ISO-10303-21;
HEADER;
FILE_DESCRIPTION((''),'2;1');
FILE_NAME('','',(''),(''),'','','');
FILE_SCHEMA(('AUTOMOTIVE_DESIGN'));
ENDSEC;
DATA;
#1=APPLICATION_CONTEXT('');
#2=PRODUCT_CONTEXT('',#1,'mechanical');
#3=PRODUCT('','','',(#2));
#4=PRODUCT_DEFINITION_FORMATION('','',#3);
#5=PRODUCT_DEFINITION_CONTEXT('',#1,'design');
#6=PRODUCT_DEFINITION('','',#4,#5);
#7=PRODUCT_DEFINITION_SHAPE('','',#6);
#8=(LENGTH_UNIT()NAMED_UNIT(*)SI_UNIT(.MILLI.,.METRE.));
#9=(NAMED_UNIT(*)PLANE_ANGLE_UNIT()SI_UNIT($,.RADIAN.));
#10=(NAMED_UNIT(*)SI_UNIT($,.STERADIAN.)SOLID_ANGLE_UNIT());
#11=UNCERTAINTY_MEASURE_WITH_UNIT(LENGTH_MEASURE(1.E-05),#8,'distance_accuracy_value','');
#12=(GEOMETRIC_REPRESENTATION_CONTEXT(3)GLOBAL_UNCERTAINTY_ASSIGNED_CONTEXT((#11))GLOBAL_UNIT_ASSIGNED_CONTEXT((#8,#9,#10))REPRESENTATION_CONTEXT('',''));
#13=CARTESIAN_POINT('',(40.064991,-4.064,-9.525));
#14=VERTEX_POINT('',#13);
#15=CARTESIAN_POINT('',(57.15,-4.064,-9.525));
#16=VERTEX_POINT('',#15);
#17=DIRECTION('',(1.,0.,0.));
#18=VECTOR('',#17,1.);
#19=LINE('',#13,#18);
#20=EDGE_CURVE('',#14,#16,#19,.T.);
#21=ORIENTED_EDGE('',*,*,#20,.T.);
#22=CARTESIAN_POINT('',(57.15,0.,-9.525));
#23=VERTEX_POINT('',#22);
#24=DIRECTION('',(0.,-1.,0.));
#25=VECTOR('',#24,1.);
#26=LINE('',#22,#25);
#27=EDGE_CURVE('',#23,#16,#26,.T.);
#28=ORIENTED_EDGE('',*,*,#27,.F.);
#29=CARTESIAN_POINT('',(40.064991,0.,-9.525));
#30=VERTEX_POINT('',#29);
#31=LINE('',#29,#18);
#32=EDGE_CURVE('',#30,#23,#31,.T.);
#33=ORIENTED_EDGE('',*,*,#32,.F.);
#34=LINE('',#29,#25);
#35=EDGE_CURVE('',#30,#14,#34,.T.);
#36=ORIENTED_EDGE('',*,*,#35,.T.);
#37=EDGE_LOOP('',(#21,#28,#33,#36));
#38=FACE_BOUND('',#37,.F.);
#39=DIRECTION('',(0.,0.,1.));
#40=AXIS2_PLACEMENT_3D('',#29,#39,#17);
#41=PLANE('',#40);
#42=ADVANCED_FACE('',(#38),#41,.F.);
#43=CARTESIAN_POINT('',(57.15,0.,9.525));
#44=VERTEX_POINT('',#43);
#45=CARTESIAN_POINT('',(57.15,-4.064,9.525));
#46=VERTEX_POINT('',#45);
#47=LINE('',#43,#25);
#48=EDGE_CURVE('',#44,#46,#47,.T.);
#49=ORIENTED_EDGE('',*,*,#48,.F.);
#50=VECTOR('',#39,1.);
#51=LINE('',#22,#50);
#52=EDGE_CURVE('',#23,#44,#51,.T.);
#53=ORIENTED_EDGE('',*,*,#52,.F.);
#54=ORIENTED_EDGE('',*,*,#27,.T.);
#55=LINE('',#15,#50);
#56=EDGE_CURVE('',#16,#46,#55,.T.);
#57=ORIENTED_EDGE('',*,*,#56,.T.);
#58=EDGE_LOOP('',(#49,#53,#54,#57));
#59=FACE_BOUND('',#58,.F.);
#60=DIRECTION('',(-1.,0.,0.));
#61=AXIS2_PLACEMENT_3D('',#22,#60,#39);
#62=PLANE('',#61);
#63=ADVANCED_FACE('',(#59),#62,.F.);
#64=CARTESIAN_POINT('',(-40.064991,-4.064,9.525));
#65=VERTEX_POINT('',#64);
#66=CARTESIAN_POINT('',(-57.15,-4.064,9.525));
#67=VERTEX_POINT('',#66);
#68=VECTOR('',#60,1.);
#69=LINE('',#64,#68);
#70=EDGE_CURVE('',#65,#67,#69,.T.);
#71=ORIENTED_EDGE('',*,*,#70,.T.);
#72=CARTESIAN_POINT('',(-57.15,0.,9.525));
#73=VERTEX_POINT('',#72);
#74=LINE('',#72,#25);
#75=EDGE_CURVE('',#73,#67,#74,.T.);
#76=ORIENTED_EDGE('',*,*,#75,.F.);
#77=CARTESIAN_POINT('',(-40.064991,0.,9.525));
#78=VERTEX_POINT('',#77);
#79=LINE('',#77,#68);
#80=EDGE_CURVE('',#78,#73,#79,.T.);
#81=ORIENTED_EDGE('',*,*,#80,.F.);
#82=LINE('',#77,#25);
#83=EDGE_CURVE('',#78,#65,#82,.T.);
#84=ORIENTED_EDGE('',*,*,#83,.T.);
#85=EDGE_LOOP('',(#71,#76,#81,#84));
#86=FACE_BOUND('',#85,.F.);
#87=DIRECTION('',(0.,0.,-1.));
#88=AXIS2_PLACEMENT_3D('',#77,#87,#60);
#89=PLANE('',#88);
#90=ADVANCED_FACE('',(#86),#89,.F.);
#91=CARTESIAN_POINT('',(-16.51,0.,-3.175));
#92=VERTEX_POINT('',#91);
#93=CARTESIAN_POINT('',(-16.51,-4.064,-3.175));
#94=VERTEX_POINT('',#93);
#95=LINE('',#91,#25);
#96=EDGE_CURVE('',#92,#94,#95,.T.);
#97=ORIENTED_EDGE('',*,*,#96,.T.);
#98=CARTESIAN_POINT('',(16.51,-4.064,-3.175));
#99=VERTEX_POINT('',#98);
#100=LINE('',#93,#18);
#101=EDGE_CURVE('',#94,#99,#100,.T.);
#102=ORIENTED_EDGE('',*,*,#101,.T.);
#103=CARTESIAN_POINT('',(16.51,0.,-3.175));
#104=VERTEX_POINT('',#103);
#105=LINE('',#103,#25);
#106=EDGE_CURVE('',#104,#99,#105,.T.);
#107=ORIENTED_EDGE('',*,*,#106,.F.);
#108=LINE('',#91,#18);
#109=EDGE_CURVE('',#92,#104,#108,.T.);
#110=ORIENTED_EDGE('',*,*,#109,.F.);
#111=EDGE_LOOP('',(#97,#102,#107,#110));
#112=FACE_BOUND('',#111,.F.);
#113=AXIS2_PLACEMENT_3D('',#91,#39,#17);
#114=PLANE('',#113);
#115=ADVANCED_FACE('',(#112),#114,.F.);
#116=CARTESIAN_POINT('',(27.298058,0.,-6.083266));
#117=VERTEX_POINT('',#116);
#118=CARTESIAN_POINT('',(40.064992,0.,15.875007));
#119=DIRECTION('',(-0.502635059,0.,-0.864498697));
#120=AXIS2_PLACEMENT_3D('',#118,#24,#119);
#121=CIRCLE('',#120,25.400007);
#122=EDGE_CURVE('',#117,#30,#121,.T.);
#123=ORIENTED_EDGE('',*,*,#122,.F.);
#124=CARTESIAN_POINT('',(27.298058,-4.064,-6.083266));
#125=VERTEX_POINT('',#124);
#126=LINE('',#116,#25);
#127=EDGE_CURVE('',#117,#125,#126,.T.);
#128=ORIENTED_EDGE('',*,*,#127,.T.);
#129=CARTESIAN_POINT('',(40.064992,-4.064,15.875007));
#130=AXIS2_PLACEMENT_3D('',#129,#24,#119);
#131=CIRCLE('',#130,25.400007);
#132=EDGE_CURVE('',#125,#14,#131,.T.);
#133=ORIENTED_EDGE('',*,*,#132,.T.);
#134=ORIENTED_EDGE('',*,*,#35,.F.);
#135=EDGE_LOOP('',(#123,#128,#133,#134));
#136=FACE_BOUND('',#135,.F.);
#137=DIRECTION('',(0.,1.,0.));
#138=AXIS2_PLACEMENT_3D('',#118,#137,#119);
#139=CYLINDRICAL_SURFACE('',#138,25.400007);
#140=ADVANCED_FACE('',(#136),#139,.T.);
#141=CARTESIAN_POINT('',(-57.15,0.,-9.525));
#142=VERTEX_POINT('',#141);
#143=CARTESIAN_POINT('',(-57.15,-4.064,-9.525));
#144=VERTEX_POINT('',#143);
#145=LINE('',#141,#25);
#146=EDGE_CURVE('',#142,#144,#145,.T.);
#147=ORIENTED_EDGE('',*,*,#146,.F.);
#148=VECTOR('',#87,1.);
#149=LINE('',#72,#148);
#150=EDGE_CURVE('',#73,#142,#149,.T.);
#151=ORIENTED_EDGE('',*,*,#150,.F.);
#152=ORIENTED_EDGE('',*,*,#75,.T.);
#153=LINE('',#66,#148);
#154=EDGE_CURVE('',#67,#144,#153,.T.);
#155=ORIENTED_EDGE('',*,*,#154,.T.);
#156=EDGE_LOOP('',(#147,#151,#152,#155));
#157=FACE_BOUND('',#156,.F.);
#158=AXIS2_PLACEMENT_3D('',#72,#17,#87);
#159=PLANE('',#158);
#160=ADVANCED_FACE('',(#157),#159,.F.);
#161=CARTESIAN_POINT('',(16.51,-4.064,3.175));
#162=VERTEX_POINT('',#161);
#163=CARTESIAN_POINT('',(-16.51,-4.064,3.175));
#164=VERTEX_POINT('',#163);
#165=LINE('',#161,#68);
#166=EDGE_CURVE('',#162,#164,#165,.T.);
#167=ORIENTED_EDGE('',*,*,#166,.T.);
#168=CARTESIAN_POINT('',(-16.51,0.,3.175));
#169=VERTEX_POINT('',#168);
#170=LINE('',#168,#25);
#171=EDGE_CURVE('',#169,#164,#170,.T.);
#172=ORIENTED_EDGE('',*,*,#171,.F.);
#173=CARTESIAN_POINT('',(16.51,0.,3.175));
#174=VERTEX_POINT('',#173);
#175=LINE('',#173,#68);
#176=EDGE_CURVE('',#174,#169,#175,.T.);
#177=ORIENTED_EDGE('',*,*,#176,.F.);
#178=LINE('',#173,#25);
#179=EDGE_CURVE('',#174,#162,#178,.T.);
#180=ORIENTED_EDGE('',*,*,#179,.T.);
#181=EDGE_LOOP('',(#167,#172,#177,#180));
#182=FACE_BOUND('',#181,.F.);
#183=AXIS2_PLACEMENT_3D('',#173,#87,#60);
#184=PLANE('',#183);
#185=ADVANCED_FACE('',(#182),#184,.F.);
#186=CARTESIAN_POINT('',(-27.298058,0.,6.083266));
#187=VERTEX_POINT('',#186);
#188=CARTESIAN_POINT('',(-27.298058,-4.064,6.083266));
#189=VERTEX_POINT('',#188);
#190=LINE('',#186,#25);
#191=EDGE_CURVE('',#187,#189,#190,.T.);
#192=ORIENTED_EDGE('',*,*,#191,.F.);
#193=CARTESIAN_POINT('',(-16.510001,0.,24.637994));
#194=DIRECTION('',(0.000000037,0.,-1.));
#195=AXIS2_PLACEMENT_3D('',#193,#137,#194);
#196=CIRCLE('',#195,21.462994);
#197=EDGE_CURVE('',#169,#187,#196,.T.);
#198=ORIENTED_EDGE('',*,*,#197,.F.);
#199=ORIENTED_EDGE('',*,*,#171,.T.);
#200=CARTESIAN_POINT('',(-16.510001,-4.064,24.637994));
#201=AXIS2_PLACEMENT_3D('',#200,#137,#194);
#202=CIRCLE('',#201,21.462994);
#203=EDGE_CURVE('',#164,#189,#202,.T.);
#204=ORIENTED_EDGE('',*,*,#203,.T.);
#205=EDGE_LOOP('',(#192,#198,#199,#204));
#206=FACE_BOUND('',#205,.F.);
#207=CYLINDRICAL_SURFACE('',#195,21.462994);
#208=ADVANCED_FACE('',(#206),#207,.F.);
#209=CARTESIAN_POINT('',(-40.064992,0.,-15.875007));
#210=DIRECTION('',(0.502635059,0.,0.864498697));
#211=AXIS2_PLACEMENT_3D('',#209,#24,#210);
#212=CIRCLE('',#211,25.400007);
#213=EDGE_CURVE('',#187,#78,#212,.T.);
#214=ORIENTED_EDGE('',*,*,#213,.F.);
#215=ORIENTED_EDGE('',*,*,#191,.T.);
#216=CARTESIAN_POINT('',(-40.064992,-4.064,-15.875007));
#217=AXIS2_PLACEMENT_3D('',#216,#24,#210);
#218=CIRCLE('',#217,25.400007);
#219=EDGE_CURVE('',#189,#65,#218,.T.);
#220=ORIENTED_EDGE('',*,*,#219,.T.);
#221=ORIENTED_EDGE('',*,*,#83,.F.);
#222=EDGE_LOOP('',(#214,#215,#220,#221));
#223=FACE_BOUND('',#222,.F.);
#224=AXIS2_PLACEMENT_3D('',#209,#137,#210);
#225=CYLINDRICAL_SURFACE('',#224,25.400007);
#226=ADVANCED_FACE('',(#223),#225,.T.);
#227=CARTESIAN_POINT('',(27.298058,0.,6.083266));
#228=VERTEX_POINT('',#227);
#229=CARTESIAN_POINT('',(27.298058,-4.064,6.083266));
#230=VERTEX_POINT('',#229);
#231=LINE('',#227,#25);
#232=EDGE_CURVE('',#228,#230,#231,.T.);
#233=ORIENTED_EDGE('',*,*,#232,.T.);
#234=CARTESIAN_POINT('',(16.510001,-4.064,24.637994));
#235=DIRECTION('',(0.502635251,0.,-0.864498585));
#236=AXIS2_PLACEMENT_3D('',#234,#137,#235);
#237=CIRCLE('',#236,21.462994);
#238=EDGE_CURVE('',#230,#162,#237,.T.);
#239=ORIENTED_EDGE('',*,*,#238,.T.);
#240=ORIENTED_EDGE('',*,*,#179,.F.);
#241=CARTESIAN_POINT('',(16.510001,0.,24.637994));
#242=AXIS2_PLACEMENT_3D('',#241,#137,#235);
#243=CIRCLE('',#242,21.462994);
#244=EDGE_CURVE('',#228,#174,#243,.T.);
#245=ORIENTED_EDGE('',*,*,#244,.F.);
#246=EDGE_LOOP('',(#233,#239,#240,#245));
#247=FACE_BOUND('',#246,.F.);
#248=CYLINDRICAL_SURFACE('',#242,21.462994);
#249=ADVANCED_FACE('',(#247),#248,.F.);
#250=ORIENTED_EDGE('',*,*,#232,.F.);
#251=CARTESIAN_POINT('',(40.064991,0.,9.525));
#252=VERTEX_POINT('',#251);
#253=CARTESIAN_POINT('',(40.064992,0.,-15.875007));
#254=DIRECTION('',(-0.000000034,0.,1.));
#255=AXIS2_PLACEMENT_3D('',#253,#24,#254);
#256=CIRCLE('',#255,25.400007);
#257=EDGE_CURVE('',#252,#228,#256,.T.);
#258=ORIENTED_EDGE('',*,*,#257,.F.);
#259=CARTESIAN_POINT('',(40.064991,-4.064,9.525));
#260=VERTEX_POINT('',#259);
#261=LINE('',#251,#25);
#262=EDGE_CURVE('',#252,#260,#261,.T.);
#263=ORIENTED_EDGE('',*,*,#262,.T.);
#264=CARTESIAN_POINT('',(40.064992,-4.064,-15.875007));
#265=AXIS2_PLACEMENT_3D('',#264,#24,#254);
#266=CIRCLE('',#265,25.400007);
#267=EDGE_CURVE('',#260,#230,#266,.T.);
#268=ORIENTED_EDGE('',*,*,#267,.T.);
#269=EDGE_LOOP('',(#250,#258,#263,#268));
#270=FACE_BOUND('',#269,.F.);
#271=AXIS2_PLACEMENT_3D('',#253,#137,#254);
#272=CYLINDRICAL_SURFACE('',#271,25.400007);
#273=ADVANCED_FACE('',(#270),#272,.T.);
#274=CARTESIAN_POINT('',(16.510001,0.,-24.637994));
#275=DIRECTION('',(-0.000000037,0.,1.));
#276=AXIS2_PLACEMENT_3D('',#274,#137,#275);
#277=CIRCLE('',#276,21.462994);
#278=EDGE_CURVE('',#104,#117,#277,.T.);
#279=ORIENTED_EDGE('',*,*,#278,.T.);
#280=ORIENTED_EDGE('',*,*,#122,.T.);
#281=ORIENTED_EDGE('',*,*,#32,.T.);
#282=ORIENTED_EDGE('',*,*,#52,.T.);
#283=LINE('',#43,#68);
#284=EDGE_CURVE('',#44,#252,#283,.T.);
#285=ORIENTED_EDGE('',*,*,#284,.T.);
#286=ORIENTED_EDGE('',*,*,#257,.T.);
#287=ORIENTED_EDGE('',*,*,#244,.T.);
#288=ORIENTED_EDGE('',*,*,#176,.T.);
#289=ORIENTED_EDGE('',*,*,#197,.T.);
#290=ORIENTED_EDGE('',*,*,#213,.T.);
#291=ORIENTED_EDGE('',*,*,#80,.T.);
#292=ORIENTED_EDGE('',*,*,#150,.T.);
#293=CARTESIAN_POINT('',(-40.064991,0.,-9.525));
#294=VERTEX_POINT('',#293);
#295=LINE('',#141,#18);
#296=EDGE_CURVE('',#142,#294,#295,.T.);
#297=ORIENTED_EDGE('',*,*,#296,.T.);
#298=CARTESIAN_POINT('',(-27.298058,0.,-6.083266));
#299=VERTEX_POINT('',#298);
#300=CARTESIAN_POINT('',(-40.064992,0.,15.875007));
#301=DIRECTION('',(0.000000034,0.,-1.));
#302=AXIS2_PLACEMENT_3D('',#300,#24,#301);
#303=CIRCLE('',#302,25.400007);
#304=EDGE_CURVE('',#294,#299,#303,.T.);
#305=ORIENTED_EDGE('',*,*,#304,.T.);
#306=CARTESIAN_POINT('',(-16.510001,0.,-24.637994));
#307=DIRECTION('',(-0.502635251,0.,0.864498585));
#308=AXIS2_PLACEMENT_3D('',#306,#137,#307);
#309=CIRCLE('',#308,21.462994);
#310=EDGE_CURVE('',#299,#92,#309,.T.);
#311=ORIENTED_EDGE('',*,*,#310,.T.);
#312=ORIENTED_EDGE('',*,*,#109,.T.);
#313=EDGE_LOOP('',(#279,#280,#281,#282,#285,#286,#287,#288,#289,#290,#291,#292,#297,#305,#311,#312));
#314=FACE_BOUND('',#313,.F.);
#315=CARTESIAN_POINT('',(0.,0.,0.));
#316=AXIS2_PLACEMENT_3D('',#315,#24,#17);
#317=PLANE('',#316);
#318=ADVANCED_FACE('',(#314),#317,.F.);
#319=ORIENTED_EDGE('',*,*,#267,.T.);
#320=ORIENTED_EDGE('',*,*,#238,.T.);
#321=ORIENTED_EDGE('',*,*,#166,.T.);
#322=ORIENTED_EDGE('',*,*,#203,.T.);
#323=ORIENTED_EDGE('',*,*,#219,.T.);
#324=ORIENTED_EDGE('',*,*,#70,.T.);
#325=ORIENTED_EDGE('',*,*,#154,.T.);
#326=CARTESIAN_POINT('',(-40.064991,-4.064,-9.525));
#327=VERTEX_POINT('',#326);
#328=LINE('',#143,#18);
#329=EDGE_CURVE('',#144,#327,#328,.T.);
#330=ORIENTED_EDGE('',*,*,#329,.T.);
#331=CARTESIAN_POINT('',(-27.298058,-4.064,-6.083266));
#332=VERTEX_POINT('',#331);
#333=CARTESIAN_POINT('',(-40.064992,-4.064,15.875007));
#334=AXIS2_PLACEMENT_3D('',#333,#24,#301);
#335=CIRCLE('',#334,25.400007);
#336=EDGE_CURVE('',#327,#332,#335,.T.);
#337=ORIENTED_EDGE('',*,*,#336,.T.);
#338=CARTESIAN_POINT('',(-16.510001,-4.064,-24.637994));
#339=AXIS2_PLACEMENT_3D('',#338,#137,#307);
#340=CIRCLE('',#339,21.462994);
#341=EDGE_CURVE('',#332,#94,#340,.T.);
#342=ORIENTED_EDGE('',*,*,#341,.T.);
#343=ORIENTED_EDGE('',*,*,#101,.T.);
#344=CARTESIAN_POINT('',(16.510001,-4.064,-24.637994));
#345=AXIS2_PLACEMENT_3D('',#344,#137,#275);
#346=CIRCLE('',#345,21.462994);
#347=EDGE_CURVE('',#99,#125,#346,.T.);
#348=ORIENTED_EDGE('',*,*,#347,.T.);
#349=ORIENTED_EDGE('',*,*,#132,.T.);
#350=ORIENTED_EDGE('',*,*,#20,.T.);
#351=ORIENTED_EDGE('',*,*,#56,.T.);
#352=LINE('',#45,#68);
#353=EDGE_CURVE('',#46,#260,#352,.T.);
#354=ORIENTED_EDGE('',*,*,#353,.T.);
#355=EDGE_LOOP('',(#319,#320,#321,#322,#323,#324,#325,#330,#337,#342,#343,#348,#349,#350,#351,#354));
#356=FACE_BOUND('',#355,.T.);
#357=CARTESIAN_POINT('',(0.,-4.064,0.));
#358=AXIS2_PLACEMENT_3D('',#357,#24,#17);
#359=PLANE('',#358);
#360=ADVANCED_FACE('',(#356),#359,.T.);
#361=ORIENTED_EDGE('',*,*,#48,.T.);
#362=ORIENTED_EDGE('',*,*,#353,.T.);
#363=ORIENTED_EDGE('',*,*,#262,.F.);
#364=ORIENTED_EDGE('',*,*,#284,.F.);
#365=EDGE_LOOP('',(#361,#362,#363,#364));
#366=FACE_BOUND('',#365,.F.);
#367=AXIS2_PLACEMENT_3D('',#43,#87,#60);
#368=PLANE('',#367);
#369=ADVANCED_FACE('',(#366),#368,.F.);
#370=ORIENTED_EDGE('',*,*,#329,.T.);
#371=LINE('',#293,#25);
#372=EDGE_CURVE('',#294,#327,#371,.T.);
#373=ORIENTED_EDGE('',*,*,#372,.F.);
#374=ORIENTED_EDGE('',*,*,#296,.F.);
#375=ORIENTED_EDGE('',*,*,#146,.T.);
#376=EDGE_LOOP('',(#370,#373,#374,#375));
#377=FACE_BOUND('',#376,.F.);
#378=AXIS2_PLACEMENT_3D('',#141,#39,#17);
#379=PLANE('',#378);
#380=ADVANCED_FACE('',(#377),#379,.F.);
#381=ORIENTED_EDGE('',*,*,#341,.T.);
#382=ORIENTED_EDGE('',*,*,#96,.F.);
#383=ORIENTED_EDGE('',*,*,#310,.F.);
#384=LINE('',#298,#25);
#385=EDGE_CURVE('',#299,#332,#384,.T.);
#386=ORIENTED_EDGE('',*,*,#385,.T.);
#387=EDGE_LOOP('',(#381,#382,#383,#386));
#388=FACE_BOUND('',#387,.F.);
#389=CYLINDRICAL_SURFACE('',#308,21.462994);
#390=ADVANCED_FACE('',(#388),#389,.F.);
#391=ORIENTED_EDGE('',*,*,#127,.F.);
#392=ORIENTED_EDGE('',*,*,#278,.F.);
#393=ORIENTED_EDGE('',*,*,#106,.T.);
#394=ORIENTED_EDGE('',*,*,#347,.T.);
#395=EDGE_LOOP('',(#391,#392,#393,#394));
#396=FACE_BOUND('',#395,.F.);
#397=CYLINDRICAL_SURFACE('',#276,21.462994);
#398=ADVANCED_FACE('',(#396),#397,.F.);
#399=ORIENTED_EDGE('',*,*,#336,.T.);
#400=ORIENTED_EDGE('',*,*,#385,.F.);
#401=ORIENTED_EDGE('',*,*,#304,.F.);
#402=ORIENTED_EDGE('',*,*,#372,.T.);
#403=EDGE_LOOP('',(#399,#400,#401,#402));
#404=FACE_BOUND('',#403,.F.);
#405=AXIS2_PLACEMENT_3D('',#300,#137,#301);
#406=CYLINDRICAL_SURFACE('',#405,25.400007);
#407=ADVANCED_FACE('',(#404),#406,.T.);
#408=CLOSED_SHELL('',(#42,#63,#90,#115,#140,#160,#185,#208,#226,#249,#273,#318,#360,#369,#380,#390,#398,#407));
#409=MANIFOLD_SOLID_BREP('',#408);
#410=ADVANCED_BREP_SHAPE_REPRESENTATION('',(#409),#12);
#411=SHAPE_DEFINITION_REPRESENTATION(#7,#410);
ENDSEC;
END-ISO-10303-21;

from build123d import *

# Parameters (mm, degrees)
F1_DEPTH = 4.064


with BuildPart() as f1:
    # F0 (on Front) → F1 (new body)
    with BuildSketch(Plane.XZ):
        with BuildLine():
            Line((16.51, 3.175), (0, 3.175))
            Line((0, 3.175), (-16.51, 3.175))
            ThreePointArc((-16.51, 3.175), (-22.096596, 3.914817), (-27.298058, 6.083266))
            ThreePointArc((-27.298058, 6.083266), (-33.453635, 8.649477), (-40.064991, 9.525))
            Line((-40.064991, 9.525), (-57.15, 9.525))
            Line((-57.15, 9.525), (-57.15, -9.525))
            Line((-57.15, -9.525), (-40.064991, -9.525))
            ThreePointArc((-40.064991, -9.525), (-33.453635, -8.649477), (-27.298058, -6.083266))
            ThreePointArc((-27.298058, -6.083266), (-22.096596, -3.914817), (-16.51, -3.175))
            Line((-16.51, -3.175), (0, -3.175))
            Line((0, -3.175), (16.51, -3.175))
            ThreePointArc((16.51, -3.175), (22.096596, -3.914817), (27.298058, -6.083266))
            ThreePointArc((27.298058, -6.083266), (33.453635, -8.649477), (40.064991, -9.525))
            Line((40.064991, -9.525), (57.15, -9.525))
            Line((57.15, -9.525), (57.15, 9.525))
            Line((57.15, 9.525), (40.064991, 9.525))
            ThreePointArc((40.064991, 9.525), (33.453635, 8.649477), (27.298058, 6.083266))
            ThreePointArc((27.298058, 6.083266), (22.096596, 3.914817), (16.51, 3.175))
        make_face()
    extrude(amount=F1_DEPTH)


solid = f1.part
